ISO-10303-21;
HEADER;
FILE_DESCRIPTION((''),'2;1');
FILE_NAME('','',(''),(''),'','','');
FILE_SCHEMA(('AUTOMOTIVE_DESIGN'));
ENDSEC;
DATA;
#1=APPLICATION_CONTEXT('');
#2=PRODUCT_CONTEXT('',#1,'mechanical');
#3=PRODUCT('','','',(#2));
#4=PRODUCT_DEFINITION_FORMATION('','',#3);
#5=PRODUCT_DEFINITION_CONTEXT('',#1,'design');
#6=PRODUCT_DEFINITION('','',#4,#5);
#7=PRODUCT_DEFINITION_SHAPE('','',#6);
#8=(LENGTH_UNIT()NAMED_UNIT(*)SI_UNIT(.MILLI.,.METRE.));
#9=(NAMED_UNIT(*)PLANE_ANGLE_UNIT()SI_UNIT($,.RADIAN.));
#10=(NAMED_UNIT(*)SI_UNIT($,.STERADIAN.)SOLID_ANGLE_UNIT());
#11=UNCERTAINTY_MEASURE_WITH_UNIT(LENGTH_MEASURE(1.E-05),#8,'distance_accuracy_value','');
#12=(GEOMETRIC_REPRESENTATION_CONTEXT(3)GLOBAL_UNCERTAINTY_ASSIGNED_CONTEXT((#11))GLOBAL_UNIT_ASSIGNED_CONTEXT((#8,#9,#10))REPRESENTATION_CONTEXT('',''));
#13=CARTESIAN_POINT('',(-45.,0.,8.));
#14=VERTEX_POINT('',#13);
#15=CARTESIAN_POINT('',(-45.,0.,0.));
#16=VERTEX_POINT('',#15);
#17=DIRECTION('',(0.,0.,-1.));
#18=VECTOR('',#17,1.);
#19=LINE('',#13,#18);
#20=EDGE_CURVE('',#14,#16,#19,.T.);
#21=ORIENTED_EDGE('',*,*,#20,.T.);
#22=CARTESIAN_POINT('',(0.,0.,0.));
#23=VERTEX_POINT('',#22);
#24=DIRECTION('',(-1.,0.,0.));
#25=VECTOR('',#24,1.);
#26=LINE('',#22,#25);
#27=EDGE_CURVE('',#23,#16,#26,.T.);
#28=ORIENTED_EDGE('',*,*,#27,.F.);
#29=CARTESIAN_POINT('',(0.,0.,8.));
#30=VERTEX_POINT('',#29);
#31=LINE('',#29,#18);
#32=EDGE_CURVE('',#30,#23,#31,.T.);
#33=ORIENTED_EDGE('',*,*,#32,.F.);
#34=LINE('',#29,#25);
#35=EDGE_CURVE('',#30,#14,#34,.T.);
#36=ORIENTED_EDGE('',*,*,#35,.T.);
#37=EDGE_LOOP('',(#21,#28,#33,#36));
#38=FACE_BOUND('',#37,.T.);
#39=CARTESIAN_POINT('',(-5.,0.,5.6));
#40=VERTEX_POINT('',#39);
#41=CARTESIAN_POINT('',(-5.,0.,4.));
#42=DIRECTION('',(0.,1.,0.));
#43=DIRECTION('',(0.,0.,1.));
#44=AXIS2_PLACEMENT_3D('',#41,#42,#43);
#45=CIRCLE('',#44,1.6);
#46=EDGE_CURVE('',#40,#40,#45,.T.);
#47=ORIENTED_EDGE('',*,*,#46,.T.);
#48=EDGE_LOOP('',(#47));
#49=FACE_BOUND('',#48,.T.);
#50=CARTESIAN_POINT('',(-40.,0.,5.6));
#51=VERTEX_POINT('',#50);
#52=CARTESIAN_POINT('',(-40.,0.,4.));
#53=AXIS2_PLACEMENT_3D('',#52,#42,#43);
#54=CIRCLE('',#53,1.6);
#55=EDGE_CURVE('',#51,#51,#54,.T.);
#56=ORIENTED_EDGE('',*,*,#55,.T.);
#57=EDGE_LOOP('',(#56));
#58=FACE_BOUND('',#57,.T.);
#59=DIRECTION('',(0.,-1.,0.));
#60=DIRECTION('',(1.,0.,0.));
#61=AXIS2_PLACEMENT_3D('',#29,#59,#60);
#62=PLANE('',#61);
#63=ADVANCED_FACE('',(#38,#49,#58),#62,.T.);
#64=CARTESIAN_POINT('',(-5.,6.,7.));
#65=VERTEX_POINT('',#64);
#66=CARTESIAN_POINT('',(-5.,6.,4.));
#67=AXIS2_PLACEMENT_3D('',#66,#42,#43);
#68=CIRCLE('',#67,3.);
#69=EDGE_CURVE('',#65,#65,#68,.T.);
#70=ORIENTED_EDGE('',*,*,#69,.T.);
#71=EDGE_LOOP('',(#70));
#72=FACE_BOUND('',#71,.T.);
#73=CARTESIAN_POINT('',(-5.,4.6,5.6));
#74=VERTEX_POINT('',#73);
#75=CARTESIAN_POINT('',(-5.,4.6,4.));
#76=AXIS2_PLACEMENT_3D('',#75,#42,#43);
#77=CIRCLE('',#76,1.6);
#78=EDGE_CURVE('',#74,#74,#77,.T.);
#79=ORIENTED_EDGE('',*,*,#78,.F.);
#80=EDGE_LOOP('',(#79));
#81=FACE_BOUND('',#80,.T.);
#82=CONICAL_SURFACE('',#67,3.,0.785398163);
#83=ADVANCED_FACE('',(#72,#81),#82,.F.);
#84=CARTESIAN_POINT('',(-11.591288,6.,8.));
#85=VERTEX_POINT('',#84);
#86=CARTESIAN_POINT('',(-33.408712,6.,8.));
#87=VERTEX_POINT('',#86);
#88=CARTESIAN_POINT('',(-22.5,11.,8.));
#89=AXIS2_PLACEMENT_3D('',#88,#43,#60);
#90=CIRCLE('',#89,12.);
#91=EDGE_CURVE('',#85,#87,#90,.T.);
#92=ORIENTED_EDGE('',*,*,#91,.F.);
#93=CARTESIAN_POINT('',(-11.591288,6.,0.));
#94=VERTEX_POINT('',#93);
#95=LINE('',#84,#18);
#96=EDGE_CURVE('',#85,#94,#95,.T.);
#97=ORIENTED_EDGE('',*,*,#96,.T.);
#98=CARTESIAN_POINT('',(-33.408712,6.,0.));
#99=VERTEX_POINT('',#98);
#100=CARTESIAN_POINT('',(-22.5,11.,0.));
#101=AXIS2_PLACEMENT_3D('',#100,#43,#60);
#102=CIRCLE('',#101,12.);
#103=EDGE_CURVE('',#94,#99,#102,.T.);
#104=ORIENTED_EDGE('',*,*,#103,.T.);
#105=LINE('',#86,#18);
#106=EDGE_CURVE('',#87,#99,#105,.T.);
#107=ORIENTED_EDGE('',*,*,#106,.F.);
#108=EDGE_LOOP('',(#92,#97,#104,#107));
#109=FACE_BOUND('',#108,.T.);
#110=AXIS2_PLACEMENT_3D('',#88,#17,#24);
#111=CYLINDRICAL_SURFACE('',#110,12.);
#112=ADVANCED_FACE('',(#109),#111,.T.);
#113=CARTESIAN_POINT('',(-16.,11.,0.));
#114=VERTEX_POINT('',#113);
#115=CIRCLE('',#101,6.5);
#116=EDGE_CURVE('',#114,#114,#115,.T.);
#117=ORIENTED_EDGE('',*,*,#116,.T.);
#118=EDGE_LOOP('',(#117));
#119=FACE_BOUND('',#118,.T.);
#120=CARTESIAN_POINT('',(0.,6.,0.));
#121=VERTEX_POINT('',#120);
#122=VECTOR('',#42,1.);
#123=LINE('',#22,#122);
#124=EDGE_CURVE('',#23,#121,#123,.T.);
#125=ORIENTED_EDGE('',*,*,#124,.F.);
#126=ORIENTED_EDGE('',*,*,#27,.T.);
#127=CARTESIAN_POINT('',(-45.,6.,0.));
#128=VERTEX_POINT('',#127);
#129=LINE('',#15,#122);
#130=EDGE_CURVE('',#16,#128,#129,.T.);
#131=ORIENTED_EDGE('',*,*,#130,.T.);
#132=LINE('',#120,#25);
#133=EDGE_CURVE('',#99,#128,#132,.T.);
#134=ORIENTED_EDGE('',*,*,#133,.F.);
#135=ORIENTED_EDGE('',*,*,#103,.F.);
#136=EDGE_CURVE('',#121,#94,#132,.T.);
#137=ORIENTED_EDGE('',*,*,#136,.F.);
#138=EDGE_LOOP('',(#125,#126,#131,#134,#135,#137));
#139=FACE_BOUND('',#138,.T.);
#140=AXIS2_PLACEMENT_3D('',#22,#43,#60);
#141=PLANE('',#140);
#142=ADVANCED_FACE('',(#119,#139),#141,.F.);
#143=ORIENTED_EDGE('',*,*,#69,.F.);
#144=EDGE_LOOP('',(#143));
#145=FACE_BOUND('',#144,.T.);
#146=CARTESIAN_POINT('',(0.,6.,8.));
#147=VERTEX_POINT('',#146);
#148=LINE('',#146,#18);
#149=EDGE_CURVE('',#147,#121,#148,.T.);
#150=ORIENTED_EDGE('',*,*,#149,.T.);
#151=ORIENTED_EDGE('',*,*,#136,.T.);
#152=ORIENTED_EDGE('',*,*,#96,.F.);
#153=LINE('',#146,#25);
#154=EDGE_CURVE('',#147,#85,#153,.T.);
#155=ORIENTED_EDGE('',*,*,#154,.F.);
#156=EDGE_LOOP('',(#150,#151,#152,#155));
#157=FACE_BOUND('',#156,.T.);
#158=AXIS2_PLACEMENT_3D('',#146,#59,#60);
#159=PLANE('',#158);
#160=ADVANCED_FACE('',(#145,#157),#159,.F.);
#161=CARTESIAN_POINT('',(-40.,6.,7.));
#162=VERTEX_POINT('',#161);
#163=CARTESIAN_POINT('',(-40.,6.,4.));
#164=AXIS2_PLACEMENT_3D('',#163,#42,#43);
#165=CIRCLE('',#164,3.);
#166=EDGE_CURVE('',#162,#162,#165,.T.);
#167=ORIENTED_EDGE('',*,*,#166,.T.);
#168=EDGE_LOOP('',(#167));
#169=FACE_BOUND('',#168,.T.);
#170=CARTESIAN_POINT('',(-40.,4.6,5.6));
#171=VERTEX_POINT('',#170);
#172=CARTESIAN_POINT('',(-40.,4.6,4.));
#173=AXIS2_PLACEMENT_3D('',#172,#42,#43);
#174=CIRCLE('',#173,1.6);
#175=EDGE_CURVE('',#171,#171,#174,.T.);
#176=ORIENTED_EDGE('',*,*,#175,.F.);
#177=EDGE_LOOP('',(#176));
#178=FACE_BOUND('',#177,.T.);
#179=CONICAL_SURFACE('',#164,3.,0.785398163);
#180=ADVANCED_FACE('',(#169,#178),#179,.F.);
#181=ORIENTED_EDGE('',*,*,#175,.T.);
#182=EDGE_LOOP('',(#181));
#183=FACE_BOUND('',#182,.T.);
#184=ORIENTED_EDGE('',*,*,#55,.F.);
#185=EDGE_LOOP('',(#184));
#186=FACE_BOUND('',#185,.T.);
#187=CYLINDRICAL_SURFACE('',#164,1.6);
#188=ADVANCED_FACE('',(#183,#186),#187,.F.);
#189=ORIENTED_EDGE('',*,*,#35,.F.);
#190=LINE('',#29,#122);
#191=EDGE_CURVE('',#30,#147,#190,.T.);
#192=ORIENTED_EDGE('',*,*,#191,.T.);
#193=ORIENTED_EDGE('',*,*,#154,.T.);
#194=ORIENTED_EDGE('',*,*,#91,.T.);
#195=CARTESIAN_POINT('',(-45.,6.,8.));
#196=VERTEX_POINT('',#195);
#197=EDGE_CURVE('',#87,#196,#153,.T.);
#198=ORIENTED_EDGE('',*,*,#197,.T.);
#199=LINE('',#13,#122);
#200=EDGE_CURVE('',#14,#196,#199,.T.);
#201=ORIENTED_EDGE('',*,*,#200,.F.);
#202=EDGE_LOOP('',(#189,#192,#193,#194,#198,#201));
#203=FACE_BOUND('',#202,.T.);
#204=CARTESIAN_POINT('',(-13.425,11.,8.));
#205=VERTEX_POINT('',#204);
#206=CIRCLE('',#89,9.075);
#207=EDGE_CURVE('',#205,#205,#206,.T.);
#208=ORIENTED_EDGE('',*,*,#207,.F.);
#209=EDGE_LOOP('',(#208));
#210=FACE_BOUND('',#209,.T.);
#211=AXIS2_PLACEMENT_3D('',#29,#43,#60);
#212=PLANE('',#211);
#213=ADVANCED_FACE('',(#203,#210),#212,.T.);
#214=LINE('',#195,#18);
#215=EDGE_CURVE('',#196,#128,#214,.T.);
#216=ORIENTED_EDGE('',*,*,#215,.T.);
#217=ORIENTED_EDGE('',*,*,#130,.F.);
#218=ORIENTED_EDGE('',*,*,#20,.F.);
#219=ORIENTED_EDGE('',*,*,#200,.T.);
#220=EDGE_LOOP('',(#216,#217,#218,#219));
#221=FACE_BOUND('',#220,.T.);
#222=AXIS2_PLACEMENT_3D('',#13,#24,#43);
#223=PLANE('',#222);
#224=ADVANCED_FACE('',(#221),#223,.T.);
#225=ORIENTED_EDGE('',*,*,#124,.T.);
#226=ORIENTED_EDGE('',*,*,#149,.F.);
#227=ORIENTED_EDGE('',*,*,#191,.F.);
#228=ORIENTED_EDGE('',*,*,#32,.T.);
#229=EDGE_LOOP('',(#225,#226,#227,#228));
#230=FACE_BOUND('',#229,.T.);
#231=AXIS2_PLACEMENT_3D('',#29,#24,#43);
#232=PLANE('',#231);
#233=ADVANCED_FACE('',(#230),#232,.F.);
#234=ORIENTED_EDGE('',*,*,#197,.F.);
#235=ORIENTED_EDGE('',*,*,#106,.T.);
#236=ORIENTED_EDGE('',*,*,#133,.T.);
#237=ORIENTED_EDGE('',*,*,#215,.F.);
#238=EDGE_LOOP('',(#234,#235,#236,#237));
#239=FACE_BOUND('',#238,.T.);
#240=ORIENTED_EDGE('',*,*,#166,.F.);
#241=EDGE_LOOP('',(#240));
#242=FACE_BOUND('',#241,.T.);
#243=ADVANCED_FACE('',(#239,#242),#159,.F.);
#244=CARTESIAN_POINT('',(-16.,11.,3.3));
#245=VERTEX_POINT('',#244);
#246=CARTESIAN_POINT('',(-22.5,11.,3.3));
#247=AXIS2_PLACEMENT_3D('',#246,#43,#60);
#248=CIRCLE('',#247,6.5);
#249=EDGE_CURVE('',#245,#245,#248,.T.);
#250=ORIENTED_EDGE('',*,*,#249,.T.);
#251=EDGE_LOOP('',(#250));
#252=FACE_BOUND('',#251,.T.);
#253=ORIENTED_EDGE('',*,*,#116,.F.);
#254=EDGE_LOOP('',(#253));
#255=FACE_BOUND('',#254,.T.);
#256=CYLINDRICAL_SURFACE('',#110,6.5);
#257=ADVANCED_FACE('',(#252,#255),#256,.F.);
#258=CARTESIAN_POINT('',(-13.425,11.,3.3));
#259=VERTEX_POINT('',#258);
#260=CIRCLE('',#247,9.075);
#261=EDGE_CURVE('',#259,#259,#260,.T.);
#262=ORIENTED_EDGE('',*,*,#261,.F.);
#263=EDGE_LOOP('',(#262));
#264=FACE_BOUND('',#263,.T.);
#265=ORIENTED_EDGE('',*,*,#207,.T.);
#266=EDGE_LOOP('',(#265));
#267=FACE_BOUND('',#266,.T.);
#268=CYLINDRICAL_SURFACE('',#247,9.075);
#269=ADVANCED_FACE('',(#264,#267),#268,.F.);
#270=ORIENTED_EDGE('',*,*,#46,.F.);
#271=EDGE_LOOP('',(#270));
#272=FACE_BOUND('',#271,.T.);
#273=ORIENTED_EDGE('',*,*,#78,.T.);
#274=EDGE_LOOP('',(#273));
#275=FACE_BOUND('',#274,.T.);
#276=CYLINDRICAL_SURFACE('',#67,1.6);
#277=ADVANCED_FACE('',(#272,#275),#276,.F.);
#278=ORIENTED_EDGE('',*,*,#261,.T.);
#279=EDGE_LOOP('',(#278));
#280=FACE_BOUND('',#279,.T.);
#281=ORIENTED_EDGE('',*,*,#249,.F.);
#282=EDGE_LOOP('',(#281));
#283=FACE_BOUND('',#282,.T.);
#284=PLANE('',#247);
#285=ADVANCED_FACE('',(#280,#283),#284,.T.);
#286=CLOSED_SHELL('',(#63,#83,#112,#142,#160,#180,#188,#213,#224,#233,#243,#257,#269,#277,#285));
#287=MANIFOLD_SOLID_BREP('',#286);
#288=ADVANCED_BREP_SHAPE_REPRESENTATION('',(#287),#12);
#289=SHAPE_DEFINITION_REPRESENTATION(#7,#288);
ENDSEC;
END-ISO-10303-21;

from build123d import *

# Parameters (mm, degrees)
BOSS_EXTRUDE1_DEPTH = 8
SKETCH2_R           = 9.075
CUT_EXTRUDE1_DEPTH  = 4.7
HOLE1_D             = 3.2
HOLE1_CSINK_D       = 6
HOLE1_CSINK_ANGLE   = 90


with BuildPart() as part:
    # Sketch1 → Boss-Extrude1 (new body)
    with BuildSketch(Plane.XY):
        with BuildLine():
            Line((-27.295831523, 0), (-17.704168477, 0))
            ThreePointArc((-17.704168477, 0), (-14.094158417, 2.436015689), (-11.591287885, 6))
            Line((-11.591287885, 6), (-18.346688069, 6))
            ThreePointArc((-18.346688069, 6), (-22.5, 4.5), (-26.653311931, 6))
            Line((-26.653311931, 6), (-33.408712115, 6))
            ThreePointArc((-33.408712115, 6), (-30.905841583, 2.436015689), (-27.295831523, 0))
        make_face()
        with BuildLine():
            Line((-45, 0), (-27.295831523, 0))
            ThreePointArc((-27.295831523, 0), (-30.905841583, 2.436015689), (-33.408712115, 6))
            Line((-33.408712115, 6), (-36, 6))
            Line((-36, 6), (-45, 6))
            Line((-45, 6), (-45, 0))
        make_face()
        with BuildLine():
            Line((-18.346688069, 6), (-11.591287885, 6))
            ThreePointArc((-11.591287885, 6), (-10.82107856, 8.242683552), (-10.506902886, 10.593033646))
            add(Edge.make_bspline(
                [(-10.506902886, 10.593033646), (-10.587978043, 10.993773754), (-10.5, 11)],
                knots=[0.717855618, 0.717855618, 0.717855618, 1, 1, 1], degree=2))
            ThreePointArc((-10.5, 11), (-22.5, 23), (-34.5, 11))
            add(Edge.make_bspline(
                [(-34.493097114, 10.593033646), (-34.412021957, 10.993773754), (-34.5, 11)],
                knots=[0.717855618, 0.717855618, 0.717855618, 1, 1, 1], degree=2))
            ThreePointArc((-34.493097114, 10.593033646), (-34.17892144, 8.242683552), (-33.408712115, 6))
            Line((-33.408712115, 6), (-26.653311931, 6))
            ThreePointArc((-26.653311931, 6), (-25.261654617, 16.884153616), (-16, 11))
            ThreePointArc((-16, 11), (-16.615846384, 8.238345383), (-18.346688069, 6))
        make_face()
        with BuildLine():
            Line((-17.704168477, 0), (0, 0))
            Line((0, 0), (0, 6))
            Line((0, 6), (-9, 6))
            Line((-9, 6), (-11.591287885, 6))
            ThreePointArc((-11.591287885, 6), (-14.094158417, 2.436015689), (-17.704168477, 0))
        make_face()
        with BuildLine():
            ThreePointArc((-34.5, 11), (-34.498274154, 10.796487554), (-34.493097114, 10.593033646))
            add(Edge.make_bspline(
                [(-34.493097114, 10.593033646), (-34.412021957, 10.993773754), (-34.5, 11)],
                knots=[0.717855618, 0.717855618, 0.717855618, 1, 1, 1], degree=2))
        make_face()
        with BuildLine():
            add(Edge.make_bspline(
                [(-10.506902886, 10.593033646), (-10.587978043, 10.993773754), (-10.5, 11)],
                knots=[0.717855618, 0.717855618, 0.717855618, 1, 1, 1], degree=2))
            ThreePointArc((-10.506902886, 10.593033646), (-10.501725846, 10.796487554), (-10.5, 11))
        make_face()
    extrude(amount=BOSS_EXTRUDE1_DEPTH)

    # Sketch2 → Cut-Extrude1 (cut)
    with BuildSketch(Plane.XY.offset(8)):
        with Locations((-22.5, 11)):
            Circle(SKETCH2_R)
    extrude(amount=-CUT_EXTRUDE1_DEPTH, mode=Mode.SUBTRACT)

    # Hole1 (through all)
    with Locations(Plane(origin=(-40, 6, 4), x_dir=(1, 0, 0), z_dir=(0, 1, 0))):
        with Locations((0, 0), (35, 0)):
            CounterSinkHole(HOLE1_D / 2, HOLE1_CSINK_D / 2, counter_sink_angle=HOLE1_CSINK_ANGLE)


solid = part.part
